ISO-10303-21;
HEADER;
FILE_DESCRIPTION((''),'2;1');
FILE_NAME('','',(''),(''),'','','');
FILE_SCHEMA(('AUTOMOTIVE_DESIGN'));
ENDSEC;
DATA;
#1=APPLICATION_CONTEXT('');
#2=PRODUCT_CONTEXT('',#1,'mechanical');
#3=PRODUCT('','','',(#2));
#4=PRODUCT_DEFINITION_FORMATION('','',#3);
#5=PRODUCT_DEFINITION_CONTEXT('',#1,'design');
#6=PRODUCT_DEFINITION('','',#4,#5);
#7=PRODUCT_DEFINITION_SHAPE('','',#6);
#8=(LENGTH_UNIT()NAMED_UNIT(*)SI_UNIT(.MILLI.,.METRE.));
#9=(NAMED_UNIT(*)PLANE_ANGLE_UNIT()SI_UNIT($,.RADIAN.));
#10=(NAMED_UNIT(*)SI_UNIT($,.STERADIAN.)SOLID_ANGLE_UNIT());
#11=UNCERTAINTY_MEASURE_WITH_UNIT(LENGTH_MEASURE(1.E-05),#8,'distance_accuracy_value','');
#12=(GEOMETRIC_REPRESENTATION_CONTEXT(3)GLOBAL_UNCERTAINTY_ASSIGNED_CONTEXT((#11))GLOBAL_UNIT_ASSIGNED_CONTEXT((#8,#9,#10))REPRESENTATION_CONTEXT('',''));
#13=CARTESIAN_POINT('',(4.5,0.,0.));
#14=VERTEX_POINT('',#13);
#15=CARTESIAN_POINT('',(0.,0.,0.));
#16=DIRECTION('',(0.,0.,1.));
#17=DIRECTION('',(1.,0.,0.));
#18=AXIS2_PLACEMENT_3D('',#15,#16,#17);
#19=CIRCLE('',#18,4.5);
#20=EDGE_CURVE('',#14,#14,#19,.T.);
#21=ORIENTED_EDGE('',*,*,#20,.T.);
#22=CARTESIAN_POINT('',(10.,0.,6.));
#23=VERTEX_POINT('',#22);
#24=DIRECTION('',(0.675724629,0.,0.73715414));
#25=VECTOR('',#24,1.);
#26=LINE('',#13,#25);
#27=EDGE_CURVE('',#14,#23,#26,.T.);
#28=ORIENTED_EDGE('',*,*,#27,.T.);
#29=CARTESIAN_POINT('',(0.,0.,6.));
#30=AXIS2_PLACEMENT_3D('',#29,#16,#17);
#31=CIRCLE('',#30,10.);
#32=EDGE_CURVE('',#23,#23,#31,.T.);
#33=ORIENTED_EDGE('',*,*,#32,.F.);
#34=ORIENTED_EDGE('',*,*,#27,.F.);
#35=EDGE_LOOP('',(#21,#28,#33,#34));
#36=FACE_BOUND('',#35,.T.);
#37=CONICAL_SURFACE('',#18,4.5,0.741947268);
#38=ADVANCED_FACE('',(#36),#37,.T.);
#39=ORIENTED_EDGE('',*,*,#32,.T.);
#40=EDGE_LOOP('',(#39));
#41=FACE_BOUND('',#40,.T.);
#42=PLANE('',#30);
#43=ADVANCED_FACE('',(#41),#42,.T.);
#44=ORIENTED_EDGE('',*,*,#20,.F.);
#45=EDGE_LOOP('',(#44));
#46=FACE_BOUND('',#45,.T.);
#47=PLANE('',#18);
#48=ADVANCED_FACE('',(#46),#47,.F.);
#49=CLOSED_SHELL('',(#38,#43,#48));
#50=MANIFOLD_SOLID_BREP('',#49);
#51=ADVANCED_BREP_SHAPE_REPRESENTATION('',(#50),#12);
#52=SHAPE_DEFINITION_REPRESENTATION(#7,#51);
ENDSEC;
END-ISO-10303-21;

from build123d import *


with BuildPart() as part:
    # Cone → Cone (revolve)
    with BuildSketch(Plane.XZ):
        Polygon((0, 0), (4.5, 0), (10, 6), (0, 6), align=None)
    revolve(axis=Axis((0, 0, 0), (0, 0, 1)))


solid = part.part
